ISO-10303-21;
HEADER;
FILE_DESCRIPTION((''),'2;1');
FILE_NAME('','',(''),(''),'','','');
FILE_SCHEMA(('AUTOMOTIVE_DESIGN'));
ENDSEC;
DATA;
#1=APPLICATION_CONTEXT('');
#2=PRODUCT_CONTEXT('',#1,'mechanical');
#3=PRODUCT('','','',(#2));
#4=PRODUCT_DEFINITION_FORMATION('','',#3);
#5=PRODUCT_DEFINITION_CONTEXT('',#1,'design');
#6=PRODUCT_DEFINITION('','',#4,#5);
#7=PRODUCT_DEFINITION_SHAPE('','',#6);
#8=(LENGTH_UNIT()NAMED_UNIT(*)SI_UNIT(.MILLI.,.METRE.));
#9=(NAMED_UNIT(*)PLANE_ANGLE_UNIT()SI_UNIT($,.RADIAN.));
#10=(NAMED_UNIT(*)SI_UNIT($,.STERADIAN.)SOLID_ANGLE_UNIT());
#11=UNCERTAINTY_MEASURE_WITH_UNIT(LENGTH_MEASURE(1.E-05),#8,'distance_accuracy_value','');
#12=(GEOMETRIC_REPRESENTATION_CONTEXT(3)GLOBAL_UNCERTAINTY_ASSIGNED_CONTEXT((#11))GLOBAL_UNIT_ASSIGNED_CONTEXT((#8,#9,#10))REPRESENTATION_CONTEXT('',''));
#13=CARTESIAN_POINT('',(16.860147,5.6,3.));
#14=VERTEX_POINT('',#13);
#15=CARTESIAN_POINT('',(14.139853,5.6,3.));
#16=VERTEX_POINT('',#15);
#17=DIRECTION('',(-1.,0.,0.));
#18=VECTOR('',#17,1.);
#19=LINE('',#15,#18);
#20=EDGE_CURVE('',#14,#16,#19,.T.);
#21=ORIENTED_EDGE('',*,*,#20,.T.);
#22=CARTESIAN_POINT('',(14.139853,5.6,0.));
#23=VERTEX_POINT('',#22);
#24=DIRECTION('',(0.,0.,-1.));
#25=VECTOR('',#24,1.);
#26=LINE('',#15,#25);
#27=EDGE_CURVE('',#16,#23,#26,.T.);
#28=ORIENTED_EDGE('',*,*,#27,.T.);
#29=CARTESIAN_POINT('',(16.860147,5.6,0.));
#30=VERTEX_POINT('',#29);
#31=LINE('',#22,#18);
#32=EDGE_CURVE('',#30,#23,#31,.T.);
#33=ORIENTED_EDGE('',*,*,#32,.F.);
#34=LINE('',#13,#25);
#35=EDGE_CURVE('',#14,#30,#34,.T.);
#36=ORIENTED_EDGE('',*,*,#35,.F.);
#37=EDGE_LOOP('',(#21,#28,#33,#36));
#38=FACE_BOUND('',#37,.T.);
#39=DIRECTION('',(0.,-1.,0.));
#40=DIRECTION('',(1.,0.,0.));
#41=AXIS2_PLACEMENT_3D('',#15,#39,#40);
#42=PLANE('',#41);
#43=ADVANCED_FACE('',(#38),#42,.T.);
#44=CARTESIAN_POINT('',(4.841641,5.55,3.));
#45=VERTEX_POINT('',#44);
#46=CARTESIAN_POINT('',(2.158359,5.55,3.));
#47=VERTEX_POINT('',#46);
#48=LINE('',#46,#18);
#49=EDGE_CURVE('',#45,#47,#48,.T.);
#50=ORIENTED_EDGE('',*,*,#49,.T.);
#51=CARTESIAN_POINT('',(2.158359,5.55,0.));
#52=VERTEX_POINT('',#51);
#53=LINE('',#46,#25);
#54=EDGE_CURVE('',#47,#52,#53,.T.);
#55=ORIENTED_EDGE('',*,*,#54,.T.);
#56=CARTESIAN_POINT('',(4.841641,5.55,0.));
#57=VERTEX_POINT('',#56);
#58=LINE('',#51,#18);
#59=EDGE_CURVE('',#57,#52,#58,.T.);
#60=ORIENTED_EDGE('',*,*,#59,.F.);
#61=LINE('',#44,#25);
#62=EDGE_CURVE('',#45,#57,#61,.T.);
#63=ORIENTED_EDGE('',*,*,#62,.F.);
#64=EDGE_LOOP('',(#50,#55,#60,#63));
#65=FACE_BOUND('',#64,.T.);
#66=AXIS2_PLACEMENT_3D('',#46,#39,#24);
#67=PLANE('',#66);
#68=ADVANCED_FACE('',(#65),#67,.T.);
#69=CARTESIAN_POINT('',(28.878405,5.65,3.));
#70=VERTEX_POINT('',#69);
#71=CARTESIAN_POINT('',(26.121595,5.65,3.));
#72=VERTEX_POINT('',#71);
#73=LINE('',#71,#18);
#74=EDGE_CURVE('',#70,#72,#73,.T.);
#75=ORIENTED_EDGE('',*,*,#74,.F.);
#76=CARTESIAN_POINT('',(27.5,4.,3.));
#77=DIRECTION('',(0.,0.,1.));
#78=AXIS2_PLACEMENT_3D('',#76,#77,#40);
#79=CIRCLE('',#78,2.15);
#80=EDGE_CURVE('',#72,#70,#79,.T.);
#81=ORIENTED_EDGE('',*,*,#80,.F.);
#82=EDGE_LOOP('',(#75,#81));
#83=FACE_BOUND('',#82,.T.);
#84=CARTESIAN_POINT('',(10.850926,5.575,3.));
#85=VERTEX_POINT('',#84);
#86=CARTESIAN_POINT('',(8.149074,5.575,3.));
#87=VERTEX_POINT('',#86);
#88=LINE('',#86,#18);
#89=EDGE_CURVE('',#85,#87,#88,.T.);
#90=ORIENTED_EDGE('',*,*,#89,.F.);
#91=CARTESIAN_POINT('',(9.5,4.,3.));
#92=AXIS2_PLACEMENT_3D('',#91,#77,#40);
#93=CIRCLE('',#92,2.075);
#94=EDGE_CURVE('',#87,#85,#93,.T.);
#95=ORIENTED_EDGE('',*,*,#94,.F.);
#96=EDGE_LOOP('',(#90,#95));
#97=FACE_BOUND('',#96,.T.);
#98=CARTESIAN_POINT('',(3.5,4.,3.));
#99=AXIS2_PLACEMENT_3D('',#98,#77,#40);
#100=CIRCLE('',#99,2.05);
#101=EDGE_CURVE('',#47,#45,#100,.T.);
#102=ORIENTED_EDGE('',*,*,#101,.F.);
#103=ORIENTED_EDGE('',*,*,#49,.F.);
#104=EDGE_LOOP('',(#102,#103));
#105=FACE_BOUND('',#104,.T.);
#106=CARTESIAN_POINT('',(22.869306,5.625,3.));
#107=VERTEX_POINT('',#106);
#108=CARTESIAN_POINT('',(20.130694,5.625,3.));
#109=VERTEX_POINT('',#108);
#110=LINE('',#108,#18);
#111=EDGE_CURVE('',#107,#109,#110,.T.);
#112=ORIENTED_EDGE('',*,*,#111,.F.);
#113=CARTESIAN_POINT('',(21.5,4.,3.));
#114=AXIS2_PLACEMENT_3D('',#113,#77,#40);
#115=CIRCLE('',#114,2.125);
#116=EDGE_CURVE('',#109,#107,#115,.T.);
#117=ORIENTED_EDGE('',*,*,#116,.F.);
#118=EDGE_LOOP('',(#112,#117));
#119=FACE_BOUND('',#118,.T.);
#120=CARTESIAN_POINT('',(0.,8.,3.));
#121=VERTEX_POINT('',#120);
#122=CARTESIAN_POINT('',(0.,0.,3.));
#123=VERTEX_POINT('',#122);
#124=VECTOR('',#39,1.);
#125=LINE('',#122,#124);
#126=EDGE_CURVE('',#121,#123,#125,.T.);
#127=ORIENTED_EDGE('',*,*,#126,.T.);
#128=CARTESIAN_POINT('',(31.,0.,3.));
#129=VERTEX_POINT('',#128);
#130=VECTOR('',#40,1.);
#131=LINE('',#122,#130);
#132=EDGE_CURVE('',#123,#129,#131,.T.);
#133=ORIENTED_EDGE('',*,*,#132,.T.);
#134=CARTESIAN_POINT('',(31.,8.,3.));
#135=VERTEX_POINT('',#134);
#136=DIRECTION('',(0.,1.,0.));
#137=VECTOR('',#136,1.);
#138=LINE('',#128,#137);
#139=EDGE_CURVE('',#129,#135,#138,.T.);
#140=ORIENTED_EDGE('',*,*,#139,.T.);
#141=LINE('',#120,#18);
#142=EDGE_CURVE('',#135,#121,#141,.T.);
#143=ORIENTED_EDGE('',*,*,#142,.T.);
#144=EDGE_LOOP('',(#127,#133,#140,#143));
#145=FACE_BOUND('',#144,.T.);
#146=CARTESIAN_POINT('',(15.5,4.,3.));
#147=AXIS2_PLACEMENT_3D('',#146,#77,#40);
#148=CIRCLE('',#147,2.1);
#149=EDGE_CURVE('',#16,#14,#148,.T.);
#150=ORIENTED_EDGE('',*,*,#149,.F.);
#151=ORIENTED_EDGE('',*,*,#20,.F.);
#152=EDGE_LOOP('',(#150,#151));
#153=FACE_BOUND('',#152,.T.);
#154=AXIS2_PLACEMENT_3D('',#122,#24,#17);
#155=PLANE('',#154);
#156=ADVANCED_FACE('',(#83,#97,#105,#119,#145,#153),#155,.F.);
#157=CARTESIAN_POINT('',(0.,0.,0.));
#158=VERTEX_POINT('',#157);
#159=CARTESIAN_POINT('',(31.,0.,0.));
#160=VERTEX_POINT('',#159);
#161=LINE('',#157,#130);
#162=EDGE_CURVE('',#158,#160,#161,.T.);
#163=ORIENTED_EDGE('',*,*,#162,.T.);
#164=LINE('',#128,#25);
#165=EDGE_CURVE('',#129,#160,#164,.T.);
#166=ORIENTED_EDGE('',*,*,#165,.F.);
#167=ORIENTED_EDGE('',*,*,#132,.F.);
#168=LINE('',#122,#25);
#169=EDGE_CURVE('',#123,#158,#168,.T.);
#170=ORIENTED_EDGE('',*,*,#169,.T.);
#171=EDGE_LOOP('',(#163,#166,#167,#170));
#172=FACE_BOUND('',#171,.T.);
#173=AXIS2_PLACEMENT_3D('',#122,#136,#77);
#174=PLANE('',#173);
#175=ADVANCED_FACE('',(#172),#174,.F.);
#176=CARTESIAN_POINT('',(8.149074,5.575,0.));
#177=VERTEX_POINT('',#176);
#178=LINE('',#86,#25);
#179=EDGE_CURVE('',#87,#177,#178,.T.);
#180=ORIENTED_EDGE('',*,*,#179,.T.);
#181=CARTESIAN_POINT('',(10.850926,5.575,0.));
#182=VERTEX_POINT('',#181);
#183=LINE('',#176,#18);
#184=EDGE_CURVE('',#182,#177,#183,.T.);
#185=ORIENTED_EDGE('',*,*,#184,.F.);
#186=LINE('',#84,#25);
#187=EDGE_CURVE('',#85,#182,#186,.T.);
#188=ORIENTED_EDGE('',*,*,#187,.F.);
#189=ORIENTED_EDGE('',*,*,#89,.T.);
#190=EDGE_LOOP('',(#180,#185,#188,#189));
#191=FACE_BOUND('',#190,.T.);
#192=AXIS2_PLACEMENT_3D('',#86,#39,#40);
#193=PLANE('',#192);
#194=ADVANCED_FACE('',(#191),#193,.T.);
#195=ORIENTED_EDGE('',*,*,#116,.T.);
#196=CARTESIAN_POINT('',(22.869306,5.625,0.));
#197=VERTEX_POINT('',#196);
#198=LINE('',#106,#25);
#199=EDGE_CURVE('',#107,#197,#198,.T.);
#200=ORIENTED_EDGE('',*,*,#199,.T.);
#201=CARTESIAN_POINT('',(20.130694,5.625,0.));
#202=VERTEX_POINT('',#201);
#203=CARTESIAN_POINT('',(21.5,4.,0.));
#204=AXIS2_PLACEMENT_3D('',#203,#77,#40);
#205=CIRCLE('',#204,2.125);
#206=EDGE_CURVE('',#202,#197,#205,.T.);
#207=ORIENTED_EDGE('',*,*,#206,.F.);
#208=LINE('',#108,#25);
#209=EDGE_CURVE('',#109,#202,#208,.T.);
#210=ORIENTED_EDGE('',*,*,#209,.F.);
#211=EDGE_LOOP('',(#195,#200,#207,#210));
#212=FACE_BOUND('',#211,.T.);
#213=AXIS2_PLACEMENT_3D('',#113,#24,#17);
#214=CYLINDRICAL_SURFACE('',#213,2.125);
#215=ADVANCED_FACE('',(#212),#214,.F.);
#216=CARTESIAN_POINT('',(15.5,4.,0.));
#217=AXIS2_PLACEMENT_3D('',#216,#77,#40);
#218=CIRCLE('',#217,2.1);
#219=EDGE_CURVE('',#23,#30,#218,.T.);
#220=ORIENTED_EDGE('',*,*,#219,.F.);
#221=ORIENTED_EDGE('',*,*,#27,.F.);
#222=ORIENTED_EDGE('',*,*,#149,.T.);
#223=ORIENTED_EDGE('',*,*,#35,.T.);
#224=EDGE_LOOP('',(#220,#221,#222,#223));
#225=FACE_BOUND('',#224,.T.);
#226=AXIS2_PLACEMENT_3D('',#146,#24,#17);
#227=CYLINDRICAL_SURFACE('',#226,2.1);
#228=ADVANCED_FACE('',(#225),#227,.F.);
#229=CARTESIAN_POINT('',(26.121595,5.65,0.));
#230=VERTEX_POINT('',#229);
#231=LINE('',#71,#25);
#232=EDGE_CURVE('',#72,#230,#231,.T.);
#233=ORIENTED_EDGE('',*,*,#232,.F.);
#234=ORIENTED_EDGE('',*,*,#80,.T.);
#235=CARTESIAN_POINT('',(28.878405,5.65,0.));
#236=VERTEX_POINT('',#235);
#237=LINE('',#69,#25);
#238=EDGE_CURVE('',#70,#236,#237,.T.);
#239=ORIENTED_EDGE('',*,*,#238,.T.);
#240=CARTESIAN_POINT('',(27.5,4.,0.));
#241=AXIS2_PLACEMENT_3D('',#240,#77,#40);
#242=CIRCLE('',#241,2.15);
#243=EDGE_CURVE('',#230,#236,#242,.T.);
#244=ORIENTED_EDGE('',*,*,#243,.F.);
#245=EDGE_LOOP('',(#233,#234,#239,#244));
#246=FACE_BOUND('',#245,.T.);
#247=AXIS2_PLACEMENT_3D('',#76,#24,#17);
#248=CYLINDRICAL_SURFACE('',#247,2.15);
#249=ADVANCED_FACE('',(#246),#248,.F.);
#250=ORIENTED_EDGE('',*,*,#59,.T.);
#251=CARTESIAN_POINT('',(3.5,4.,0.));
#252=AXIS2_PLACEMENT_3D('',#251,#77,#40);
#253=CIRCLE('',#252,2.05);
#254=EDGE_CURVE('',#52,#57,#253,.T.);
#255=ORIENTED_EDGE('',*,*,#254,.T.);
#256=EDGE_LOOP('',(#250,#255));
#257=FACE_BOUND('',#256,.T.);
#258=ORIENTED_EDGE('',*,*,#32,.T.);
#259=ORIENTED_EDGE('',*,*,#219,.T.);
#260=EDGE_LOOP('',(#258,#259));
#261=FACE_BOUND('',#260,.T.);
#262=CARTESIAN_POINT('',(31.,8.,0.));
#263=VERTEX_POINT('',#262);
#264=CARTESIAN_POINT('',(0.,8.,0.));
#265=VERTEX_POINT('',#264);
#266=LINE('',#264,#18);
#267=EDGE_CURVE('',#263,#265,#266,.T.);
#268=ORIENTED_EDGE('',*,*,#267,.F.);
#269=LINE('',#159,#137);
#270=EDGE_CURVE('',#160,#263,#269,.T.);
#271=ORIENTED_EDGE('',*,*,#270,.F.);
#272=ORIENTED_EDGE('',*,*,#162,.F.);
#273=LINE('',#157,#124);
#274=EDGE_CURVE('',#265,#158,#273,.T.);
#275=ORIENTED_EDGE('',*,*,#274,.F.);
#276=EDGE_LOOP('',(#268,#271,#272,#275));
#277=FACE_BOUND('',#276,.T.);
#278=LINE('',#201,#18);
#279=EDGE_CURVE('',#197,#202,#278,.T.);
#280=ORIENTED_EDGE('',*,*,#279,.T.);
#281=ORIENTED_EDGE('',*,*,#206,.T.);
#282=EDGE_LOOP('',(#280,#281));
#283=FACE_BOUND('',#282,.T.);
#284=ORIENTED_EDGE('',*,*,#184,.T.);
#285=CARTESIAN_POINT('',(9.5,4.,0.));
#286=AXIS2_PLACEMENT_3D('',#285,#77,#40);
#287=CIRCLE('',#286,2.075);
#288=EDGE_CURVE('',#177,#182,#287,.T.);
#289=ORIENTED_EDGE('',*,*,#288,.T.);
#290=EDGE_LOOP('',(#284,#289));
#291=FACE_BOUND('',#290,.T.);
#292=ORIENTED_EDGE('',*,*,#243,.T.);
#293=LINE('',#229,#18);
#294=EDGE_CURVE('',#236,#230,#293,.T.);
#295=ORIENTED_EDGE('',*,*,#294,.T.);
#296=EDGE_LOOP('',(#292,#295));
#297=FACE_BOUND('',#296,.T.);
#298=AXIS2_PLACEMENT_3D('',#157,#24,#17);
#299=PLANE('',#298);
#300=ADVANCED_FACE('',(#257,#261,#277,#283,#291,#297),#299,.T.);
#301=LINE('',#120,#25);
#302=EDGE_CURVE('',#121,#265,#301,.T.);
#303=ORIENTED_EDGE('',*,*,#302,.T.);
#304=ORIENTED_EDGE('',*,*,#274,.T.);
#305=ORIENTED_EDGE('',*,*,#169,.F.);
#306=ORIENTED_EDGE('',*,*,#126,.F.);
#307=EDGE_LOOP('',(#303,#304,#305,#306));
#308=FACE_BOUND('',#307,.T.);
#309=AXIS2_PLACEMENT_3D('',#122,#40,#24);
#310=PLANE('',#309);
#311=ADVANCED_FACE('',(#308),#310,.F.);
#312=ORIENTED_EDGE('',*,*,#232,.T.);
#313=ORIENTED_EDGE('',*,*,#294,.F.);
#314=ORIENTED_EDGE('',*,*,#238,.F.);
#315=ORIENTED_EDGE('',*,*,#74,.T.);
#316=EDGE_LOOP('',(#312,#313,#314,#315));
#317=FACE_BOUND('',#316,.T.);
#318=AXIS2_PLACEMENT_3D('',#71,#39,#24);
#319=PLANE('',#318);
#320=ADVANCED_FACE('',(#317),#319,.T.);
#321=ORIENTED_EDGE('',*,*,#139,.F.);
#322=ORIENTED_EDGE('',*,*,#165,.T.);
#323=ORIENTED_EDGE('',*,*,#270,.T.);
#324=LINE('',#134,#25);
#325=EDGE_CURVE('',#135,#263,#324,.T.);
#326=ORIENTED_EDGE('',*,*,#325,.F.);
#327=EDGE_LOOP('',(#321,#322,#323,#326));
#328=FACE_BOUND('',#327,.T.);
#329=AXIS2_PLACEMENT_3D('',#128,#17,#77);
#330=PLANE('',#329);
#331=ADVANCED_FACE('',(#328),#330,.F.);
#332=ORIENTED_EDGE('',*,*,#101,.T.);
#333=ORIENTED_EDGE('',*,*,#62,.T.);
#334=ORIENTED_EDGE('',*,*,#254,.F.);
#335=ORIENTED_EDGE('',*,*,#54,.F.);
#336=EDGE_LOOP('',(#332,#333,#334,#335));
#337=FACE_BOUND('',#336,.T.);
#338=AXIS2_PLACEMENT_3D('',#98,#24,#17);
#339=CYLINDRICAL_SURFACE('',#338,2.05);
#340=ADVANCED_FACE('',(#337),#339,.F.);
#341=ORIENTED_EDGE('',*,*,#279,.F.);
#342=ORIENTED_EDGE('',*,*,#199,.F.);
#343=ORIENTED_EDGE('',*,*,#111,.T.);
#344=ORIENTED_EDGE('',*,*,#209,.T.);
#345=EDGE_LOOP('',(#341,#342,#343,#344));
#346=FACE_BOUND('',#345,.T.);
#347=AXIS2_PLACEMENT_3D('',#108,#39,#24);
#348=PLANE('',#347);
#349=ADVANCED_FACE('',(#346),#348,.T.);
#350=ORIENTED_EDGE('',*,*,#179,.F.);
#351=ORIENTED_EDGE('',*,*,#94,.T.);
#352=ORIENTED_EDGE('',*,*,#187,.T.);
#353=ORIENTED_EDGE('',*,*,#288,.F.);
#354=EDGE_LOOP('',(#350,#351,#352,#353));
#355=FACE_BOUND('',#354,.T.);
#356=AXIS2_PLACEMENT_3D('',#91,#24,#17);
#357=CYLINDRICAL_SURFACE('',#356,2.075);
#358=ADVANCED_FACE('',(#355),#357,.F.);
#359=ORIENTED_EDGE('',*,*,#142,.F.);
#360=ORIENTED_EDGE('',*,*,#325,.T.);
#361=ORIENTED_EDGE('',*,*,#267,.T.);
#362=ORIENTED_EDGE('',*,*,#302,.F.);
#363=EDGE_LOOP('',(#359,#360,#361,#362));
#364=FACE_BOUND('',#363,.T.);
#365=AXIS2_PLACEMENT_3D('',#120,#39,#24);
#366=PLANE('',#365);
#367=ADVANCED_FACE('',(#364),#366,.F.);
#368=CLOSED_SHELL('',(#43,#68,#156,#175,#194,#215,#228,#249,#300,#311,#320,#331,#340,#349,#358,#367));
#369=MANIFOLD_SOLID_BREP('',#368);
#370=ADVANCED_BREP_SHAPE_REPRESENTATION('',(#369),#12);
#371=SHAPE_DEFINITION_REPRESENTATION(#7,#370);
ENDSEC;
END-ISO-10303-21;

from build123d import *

# Parameters (mm, degrees)
SKETCH1_W           = 31
SKETCH1_H           = 8
BOSS_EXTRUDE1_DEPTH = 3


with BuildPart() as part:
    # Sketch1 → Boss-Extrude1 (new body)
    with BuildSketch(Plane.XY):
        with Locations((15.5, 4)):
            Rectangle(SKETCH1_W, SKETCH1_H)
        with BuildLine():
            Line((2.158359214, 5.55), (4.841640786, 5.55))
            ThreePointArc((4.841640786, 5.55), (3.5, 1.95), (2.158359214, 5.55))
        make_face(mode=Mode.SUBTRACT)
        with BuildLine():
            Line((8.149074391, 5.575), (10.850925609, 5.575))
            ThreePointArc((10.850925609, 5.575), (9.5, 1.925), (8.149074391, 5.575))
        make_face(mode=Mode.SUBTRACT)
        with BuildLine():
            Line((14.139852949, 5.6), (16.860147051, 5.6))
            ThreePointArc((16.860147051, 5.6), (15.5, 1.9), (14.139852949, 5.6))
        make_face(mode=Mode.SUBTRACT)
        with BuildLine():
            Line((20.130693606, 5.625), (22.869306394, 5.625))
            ThreePointArc((22.869306394, 5.625), (21.5, 1.875), (20.130693606, 5.625))
        make_face(mode=Mode.SUBTRACT)
        with BuildLine():
            Line((26.121595125, 5.65), (28.878404875, 5.65))
            ThreePointArc((28.878404875, 5.65), (27.5, 1.85), (26.121595125, 5.65))
        make_face(mode=Mode.SUBTRACT)
    extrude(amount=BOSS_EXTRUDE1_DEPTH)


solid = part.part
